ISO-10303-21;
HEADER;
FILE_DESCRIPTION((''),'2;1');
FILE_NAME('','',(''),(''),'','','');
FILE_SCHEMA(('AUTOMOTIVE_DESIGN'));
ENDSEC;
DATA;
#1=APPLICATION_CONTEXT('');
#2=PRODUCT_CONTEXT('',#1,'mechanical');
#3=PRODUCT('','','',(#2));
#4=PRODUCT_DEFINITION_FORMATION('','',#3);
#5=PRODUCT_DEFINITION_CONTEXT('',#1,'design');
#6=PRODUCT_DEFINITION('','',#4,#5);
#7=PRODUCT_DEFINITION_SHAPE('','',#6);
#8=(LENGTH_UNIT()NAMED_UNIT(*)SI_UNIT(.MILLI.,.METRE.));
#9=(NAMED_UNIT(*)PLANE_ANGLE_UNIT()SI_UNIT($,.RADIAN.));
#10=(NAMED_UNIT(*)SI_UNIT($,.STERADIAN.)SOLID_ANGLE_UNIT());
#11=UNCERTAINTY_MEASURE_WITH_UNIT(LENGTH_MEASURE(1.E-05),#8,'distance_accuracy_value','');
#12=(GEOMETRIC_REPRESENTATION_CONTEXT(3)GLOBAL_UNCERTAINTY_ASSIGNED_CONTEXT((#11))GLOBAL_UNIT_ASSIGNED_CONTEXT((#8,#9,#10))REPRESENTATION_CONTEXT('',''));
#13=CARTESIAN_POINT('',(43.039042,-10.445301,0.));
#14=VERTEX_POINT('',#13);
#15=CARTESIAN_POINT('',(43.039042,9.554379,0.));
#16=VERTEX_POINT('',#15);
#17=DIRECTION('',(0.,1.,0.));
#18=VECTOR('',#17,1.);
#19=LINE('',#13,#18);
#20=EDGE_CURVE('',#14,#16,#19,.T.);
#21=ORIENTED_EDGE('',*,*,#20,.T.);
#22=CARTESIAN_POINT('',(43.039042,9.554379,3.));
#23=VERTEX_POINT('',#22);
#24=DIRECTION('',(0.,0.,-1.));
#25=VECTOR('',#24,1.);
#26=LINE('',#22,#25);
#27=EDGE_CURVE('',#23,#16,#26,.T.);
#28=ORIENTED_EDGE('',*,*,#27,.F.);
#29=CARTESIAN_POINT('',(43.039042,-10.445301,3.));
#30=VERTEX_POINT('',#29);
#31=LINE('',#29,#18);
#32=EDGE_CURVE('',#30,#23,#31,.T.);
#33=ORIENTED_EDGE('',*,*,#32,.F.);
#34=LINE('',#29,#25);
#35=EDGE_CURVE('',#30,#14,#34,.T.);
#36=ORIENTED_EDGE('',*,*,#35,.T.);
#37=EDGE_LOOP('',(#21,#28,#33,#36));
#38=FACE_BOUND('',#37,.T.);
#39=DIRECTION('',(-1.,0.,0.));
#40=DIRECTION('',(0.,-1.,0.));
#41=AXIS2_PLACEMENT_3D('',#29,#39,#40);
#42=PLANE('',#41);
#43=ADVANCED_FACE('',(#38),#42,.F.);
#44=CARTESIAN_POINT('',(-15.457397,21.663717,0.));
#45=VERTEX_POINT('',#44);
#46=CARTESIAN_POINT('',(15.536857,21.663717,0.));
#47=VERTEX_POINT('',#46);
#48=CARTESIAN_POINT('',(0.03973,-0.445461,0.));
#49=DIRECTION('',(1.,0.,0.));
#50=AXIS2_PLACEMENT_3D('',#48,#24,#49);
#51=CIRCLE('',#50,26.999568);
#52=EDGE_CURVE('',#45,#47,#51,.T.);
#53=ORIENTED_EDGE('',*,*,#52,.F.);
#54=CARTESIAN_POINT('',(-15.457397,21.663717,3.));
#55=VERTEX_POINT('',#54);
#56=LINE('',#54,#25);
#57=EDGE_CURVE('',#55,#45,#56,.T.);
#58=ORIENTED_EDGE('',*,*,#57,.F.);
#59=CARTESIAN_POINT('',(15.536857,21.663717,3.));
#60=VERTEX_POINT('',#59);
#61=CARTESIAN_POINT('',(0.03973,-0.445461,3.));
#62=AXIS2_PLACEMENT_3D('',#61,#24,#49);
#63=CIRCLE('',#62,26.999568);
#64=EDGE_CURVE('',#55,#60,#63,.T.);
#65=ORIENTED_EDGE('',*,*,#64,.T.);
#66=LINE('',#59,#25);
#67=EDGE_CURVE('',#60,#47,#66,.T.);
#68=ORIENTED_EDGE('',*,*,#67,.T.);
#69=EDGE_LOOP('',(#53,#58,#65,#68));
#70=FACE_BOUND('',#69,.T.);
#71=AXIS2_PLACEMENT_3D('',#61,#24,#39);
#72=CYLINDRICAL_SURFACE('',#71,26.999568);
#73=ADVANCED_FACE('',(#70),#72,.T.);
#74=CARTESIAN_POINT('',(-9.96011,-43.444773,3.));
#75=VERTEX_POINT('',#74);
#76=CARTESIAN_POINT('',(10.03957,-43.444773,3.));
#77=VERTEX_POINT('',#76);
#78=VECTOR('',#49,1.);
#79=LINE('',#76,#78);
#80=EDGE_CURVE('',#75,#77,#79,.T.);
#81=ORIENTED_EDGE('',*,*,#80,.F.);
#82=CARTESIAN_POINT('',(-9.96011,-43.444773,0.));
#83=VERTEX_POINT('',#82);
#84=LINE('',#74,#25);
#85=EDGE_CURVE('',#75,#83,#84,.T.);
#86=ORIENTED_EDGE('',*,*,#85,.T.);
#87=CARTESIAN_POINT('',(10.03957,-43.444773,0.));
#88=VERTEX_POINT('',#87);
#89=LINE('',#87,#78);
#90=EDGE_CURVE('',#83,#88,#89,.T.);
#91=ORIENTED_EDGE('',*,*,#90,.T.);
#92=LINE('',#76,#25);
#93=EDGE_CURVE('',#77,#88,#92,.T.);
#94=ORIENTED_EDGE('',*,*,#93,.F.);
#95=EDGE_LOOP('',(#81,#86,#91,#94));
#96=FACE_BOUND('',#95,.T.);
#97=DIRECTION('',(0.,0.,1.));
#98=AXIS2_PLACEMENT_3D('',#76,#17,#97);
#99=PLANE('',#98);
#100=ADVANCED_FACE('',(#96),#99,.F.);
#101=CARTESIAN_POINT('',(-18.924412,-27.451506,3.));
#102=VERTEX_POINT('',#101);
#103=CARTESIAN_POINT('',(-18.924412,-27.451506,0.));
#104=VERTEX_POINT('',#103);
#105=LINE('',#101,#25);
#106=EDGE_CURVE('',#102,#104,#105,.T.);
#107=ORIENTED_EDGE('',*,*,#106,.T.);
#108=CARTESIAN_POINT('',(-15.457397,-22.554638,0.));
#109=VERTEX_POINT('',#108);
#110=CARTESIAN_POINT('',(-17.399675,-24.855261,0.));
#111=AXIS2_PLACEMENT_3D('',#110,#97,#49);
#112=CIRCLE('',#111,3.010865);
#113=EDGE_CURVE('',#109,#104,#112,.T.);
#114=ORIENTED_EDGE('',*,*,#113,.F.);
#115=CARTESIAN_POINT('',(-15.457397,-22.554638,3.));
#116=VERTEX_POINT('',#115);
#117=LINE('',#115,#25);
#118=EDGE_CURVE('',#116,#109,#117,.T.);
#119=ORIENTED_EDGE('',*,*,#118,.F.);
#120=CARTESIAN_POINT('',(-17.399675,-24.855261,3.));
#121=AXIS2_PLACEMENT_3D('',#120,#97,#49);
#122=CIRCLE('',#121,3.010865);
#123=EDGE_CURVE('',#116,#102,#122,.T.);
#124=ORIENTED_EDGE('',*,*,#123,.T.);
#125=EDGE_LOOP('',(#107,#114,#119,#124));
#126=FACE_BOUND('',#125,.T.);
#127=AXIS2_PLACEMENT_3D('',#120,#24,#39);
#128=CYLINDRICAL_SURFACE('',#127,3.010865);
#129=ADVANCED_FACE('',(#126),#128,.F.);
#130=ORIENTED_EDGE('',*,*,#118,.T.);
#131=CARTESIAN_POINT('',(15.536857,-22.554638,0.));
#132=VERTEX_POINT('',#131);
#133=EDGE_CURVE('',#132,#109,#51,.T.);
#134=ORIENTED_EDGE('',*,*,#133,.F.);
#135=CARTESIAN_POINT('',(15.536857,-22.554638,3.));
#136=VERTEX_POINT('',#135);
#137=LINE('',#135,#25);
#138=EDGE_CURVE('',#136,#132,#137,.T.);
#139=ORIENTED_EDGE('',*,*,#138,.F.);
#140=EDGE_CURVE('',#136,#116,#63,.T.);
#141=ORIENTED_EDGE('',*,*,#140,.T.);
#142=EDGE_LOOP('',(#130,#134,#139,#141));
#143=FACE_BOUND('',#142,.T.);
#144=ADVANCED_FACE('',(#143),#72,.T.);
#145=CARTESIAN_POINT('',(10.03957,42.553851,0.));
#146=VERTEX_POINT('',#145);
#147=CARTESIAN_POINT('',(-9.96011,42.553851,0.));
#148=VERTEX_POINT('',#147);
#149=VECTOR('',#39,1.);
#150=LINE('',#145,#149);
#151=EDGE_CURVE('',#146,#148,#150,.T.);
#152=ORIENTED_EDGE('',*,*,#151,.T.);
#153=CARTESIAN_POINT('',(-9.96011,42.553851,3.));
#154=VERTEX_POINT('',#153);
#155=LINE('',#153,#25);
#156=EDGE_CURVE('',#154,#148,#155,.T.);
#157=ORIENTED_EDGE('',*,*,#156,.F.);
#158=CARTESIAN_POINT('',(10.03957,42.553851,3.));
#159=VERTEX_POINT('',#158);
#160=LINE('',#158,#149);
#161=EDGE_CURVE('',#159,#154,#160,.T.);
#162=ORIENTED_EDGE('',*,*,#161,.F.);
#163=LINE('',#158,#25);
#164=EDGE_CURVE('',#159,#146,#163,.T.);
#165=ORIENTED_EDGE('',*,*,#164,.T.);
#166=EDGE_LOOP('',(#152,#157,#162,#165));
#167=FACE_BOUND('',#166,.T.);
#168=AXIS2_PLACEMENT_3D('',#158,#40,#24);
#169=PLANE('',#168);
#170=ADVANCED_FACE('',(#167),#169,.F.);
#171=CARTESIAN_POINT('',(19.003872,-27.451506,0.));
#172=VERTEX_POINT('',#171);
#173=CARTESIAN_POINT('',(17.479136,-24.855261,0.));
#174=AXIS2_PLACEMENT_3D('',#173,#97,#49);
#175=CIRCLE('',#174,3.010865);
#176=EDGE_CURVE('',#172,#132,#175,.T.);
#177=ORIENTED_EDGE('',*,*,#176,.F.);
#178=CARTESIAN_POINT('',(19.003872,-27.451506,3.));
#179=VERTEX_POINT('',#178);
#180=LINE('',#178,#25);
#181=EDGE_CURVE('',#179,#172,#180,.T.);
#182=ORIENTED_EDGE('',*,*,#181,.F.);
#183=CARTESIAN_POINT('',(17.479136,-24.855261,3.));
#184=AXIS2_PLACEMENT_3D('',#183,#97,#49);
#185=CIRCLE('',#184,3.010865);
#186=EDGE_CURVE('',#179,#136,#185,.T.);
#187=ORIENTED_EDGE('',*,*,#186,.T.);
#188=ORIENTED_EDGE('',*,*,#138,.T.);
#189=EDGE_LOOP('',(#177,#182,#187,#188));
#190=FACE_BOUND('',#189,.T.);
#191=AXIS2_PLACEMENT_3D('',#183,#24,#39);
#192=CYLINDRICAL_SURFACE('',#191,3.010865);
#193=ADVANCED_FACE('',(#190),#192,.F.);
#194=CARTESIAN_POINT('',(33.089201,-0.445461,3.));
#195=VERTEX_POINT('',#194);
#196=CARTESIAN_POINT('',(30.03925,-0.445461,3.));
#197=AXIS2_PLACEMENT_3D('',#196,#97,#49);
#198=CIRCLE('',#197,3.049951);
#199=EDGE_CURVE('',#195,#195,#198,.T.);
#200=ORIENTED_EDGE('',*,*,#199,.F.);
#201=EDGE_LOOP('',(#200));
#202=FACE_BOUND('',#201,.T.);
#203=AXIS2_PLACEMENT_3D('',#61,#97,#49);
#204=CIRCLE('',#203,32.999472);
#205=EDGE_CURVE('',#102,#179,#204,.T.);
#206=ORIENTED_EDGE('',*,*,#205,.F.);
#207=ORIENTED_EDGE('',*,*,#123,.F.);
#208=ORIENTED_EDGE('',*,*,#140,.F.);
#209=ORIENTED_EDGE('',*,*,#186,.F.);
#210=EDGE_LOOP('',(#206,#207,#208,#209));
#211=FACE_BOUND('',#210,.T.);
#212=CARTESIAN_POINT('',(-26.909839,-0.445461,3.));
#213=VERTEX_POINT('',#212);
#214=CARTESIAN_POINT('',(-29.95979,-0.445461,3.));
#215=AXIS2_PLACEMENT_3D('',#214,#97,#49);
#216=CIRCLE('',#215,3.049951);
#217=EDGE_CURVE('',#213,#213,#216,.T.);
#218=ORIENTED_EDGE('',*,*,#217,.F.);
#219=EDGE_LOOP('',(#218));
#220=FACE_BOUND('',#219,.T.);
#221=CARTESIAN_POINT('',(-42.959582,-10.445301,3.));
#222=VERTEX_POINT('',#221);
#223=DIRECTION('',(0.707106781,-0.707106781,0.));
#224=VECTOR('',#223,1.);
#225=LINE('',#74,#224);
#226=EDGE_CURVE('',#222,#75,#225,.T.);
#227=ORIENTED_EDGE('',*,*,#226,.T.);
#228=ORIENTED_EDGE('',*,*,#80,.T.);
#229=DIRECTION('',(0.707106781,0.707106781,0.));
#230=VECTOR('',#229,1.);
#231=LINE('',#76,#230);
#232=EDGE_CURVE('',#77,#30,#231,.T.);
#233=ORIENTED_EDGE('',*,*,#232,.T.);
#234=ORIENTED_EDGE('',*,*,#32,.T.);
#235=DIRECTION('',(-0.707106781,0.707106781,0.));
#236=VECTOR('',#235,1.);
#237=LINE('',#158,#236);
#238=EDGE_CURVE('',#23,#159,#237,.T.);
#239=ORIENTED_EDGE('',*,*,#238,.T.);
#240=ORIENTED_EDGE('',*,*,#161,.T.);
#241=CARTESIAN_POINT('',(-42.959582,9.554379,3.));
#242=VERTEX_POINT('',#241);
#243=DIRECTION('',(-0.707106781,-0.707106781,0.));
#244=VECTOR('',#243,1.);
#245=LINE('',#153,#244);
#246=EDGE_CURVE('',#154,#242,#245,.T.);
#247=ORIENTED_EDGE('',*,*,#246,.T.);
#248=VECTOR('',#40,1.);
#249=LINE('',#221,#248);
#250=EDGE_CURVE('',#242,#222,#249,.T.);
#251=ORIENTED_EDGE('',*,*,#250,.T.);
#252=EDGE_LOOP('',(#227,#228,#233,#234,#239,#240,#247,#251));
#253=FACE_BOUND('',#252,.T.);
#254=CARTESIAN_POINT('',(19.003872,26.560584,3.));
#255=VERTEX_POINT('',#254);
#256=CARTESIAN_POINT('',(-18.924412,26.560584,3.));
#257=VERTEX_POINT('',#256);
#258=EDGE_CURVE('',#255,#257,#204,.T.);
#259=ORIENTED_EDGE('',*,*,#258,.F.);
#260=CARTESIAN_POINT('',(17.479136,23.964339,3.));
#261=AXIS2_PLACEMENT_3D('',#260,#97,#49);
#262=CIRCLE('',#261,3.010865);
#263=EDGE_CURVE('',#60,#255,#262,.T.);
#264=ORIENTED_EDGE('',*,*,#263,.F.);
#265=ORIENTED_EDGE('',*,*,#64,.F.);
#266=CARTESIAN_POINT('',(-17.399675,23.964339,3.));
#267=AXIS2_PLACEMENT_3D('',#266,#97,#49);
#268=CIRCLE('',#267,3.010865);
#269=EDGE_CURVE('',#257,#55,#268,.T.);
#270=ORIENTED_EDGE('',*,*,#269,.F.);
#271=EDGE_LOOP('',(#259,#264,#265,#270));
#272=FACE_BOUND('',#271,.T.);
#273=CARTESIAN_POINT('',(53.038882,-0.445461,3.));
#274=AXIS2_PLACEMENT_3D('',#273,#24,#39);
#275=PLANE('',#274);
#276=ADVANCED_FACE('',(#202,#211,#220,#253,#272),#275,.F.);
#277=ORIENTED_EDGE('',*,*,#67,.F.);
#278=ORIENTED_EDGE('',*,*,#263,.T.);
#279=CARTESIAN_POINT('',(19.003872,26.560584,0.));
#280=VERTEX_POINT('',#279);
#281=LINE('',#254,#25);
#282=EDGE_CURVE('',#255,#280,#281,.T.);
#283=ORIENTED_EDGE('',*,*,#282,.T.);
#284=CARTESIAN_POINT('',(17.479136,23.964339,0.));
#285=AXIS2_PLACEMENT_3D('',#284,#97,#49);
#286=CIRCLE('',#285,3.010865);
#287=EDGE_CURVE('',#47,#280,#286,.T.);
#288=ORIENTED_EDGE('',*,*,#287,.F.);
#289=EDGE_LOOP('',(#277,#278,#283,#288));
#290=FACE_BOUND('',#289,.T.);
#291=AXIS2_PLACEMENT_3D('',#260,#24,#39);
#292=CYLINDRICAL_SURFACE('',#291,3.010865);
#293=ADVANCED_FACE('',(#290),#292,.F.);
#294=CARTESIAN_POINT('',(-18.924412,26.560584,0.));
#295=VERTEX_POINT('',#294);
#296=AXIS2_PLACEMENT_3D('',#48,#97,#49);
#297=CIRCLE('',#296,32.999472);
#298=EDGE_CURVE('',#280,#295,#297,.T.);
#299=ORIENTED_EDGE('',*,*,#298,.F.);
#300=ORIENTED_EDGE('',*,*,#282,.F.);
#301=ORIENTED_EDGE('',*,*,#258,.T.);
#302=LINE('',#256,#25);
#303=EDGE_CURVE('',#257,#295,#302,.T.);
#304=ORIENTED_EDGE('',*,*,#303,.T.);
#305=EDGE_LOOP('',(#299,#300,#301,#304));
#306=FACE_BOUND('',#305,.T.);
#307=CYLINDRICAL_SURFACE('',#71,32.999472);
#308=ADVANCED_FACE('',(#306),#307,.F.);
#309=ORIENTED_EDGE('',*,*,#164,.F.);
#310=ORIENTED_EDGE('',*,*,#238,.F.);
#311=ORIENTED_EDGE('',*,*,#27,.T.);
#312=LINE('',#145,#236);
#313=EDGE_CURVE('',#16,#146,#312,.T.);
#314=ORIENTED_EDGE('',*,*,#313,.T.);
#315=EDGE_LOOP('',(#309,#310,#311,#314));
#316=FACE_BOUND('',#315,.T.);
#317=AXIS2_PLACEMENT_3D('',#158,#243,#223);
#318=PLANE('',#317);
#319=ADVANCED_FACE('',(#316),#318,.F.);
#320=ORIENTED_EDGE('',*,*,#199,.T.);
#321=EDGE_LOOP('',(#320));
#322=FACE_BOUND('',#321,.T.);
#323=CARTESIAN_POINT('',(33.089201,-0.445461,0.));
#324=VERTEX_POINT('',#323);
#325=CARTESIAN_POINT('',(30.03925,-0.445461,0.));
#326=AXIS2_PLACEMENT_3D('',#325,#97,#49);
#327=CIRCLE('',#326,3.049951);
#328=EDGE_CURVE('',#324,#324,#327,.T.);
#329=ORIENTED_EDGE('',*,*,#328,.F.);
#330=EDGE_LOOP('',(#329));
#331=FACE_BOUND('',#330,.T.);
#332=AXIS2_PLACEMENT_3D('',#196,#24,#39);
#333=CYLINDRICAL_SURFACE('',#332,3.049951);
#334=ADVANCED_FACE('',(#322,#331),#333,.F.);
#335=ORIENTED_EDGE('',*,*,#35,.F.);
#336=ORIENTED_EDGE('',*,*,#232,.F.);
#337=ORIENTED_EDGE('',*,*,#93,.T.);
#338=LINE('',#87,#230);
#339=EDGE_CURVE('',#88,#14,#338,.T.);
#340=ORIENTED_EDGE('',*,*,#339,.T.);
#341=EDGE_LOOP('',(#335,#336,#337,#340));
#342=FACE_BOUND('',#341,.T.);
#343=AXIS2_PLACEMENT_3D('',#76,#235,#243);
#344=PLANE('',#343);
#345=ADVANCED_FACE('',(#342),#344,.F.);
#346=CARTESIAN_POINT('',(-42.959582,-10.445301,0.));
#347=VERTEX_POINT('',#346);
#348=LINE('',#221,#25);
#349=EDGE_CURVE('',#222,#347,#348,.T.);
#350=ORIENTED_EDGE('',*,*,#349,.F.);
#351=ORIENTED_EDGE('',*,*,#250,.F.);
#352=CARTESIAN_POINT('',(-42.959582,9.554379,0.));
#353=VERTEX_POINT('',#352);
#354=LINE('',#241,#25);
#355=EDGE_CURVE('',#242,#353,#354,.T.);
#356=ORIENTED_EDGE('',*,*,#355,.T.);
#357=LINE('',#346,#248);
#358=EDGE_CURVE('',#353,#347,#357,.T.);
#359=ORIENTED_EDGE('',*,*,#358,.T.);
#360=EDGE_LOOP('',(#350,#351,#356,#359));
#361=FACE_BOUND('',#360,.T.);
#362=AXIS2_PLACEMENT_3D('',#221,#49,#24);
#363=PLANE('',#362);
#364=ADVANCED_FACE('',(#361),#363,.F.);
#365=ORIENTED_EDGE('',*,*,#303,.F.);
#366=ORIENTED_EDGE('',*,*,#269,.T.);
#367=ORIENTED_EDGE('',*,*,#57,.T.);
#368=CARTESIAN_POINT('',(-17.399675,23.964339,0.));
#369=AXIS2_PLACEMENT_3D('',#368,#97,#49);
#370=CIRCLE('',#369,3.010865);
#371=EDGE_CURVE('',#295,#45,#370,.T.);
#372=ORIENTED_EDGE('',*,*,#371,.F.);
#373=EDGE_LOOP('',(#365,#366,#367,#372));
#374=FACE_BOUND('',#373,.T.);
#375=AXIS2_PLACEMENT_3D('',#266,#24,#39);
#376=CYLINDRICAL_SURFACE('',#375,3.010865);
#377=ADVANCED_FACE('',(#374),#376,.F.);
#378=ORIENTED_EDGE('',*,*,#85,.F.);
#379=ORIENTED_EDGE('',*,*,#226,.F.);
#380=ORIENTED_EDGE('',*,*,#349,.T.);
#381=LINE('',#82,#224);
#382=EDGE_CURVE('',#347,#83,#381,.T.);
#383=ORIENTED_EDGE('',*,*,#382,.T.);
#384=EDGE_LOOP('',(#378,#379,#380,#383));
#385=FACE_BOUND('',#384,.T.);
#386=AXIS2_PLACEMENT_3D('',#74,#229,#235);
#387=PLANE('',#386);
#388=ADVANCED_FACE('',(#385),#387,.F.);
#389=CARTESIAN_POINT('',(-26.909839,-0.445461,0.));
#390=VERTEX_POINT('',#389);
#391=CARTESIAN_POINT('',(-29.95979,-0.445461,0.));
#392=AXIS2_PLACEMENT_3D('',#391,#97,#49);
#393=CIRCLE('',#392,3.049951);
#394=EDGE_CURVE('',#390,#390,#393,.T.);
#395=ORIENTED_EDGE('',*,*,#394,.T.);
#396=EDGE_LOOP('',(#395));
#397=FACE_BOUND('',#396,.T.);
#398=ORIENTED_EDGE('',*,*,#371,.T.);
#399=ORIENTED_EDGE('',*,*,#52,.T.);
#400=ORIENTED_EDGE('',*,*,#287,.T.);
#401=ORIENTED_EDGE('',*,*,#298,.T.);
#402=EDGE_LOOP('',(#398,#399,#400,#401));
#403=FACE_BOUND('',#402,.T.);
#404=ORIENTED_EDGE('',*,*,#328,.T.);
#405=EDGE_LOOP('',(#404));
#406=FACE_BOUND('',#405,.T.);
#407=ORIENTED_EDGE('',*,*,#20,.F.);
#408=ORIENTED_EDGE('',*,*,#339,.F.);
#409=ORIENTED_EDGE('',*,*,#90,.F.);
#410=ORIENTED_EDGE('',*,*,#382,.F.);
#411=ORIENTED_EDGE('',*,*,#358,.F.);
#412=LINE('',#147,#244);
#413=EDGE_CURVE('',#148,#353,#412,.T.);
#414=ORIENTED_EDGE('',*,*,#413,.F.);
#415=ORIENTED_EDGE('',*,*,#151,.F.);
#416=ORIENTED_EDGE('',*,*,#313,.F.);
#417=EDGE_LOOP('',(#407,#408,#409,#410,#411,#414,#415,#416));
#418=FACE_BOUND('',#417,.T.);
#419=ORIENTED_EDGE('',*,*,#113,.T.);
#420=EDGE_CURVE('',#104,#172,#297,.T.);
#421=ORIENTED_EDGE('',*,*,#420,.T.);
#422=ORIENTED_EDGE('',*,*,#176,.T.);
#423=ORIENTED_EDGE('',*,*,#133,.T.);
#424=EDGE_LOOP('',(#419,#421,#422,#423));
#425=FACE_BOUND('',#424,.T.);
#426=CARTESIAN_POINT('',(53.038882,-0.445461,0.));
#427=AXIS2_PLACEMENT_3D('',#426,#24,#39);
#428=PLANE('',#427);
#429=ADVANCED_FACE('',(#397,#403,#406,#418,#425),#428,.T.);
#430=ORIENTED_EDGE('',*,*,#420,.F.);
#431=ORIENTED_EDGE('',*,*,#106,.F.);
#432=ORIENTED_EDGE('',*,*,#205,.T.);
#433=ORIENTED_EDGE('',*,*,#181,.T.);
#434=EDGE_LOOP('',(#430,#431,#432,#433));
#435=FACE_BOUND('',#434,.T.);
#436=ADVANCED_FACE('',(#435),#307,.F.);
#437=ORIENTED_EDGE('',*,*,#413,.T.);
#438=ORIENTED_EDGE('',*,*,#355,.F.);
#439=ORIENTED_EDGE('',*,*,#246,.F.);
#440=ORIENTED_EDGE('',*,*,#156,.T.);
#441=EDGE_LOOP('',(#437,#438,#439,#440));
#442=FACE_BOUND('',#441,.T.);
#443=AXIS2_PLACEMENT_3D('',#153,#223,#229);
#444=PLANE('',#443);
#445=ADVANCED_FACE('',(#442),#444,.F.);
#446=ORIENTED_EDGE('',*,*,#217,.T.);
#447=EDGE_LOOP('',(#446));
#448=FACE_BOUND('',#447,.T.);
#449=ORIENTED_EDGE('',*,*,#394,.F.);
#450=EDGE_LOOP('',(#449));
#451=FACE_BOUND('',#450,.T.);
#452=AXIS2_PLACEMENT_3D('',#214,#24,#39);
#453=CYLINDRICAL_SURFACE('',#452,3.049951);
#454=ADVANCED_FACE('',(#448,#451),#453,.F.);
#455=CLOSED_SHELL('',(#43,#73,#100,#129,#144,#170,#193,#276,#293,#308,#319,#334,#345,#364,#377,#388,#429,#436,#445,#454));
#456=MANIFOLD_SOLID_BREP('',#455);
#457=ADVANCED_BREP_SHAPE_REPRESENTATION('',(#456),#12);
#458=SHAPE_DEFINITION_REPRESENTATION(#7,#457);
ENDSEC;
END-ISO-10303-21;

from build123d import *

# Parameters (mm, degrees)
SKETCH_1_R      = 3.0499512
EXTRUDE_1_DEPTH = 3


with BuildPart() as part:
    # 草图1 → 凸台-拉伸1 (new body)
    with BuildSketch(Plane.XY):
        Polygon((43.039042287, -10.445300798), (43.039042287, 9.554379202), (10.039570287, 42.553851202), (-9.960109713, 42.553851202), (-42.959581713, 9.554379202), (-42.959581713, -10.445300798), (-9.960109713, -43.444772798), (10.039570287, -43.444772798), align=None)
        with Locations((30.039250287, -0.445460798)):
            Circle(SKETCH_1_R, mode=Mode.SUBTRACT)
        with Locations((-29.959789713, -0.445460798)):
            Circle(SKETCH_1_R, mode=Mode.SUBTRACT)
        with BuildLine():
            ThreePointArc((15.536857472, 21.66371651), (0.039730287, 26.554107202), (-15.457396897, 21.66371651))
            ThreePointArc((-15.457396897, 21.66371651), (-19.856993747, 22.224541332), (-18.924411805, 26.56058421))
            ThreePointArc((-18.924411805, 26.56058421), (0.039730287, 32.554011202), (19.00387238, 26.56058421))
            ThreePointArc((19.00387238, 26.56058421), (19.936454322, 22.224541332), (15.536857472, 21.66371651))
        make_face(mode=Mode.SUBTRACT)
        with BuildLine():
            ThreePointArc((-15.457396897, -22.554638105), (0.039730287, -27.445028798), (15.536857472, -22.554638105))
            ThreePointArc((15.536857472, -22.554638105), (19.936454322, -23.115462927), (19.00387238, -27.451505806))
            ThreePointArc((19.00387238, -27.451505806), (0.039730287, -33.444932798), (-18.924411805, -27.451505806))
            ThreePointArc((-18.924411805, -27.451505806), (-19.856993747, -23.115462927), (-15.457396897, -22.554638105))
        make_face(mode=Mode.SUBTRACT)
    extrude(amount=EXTRUDE_1_DEPTH)


solid = part.part
